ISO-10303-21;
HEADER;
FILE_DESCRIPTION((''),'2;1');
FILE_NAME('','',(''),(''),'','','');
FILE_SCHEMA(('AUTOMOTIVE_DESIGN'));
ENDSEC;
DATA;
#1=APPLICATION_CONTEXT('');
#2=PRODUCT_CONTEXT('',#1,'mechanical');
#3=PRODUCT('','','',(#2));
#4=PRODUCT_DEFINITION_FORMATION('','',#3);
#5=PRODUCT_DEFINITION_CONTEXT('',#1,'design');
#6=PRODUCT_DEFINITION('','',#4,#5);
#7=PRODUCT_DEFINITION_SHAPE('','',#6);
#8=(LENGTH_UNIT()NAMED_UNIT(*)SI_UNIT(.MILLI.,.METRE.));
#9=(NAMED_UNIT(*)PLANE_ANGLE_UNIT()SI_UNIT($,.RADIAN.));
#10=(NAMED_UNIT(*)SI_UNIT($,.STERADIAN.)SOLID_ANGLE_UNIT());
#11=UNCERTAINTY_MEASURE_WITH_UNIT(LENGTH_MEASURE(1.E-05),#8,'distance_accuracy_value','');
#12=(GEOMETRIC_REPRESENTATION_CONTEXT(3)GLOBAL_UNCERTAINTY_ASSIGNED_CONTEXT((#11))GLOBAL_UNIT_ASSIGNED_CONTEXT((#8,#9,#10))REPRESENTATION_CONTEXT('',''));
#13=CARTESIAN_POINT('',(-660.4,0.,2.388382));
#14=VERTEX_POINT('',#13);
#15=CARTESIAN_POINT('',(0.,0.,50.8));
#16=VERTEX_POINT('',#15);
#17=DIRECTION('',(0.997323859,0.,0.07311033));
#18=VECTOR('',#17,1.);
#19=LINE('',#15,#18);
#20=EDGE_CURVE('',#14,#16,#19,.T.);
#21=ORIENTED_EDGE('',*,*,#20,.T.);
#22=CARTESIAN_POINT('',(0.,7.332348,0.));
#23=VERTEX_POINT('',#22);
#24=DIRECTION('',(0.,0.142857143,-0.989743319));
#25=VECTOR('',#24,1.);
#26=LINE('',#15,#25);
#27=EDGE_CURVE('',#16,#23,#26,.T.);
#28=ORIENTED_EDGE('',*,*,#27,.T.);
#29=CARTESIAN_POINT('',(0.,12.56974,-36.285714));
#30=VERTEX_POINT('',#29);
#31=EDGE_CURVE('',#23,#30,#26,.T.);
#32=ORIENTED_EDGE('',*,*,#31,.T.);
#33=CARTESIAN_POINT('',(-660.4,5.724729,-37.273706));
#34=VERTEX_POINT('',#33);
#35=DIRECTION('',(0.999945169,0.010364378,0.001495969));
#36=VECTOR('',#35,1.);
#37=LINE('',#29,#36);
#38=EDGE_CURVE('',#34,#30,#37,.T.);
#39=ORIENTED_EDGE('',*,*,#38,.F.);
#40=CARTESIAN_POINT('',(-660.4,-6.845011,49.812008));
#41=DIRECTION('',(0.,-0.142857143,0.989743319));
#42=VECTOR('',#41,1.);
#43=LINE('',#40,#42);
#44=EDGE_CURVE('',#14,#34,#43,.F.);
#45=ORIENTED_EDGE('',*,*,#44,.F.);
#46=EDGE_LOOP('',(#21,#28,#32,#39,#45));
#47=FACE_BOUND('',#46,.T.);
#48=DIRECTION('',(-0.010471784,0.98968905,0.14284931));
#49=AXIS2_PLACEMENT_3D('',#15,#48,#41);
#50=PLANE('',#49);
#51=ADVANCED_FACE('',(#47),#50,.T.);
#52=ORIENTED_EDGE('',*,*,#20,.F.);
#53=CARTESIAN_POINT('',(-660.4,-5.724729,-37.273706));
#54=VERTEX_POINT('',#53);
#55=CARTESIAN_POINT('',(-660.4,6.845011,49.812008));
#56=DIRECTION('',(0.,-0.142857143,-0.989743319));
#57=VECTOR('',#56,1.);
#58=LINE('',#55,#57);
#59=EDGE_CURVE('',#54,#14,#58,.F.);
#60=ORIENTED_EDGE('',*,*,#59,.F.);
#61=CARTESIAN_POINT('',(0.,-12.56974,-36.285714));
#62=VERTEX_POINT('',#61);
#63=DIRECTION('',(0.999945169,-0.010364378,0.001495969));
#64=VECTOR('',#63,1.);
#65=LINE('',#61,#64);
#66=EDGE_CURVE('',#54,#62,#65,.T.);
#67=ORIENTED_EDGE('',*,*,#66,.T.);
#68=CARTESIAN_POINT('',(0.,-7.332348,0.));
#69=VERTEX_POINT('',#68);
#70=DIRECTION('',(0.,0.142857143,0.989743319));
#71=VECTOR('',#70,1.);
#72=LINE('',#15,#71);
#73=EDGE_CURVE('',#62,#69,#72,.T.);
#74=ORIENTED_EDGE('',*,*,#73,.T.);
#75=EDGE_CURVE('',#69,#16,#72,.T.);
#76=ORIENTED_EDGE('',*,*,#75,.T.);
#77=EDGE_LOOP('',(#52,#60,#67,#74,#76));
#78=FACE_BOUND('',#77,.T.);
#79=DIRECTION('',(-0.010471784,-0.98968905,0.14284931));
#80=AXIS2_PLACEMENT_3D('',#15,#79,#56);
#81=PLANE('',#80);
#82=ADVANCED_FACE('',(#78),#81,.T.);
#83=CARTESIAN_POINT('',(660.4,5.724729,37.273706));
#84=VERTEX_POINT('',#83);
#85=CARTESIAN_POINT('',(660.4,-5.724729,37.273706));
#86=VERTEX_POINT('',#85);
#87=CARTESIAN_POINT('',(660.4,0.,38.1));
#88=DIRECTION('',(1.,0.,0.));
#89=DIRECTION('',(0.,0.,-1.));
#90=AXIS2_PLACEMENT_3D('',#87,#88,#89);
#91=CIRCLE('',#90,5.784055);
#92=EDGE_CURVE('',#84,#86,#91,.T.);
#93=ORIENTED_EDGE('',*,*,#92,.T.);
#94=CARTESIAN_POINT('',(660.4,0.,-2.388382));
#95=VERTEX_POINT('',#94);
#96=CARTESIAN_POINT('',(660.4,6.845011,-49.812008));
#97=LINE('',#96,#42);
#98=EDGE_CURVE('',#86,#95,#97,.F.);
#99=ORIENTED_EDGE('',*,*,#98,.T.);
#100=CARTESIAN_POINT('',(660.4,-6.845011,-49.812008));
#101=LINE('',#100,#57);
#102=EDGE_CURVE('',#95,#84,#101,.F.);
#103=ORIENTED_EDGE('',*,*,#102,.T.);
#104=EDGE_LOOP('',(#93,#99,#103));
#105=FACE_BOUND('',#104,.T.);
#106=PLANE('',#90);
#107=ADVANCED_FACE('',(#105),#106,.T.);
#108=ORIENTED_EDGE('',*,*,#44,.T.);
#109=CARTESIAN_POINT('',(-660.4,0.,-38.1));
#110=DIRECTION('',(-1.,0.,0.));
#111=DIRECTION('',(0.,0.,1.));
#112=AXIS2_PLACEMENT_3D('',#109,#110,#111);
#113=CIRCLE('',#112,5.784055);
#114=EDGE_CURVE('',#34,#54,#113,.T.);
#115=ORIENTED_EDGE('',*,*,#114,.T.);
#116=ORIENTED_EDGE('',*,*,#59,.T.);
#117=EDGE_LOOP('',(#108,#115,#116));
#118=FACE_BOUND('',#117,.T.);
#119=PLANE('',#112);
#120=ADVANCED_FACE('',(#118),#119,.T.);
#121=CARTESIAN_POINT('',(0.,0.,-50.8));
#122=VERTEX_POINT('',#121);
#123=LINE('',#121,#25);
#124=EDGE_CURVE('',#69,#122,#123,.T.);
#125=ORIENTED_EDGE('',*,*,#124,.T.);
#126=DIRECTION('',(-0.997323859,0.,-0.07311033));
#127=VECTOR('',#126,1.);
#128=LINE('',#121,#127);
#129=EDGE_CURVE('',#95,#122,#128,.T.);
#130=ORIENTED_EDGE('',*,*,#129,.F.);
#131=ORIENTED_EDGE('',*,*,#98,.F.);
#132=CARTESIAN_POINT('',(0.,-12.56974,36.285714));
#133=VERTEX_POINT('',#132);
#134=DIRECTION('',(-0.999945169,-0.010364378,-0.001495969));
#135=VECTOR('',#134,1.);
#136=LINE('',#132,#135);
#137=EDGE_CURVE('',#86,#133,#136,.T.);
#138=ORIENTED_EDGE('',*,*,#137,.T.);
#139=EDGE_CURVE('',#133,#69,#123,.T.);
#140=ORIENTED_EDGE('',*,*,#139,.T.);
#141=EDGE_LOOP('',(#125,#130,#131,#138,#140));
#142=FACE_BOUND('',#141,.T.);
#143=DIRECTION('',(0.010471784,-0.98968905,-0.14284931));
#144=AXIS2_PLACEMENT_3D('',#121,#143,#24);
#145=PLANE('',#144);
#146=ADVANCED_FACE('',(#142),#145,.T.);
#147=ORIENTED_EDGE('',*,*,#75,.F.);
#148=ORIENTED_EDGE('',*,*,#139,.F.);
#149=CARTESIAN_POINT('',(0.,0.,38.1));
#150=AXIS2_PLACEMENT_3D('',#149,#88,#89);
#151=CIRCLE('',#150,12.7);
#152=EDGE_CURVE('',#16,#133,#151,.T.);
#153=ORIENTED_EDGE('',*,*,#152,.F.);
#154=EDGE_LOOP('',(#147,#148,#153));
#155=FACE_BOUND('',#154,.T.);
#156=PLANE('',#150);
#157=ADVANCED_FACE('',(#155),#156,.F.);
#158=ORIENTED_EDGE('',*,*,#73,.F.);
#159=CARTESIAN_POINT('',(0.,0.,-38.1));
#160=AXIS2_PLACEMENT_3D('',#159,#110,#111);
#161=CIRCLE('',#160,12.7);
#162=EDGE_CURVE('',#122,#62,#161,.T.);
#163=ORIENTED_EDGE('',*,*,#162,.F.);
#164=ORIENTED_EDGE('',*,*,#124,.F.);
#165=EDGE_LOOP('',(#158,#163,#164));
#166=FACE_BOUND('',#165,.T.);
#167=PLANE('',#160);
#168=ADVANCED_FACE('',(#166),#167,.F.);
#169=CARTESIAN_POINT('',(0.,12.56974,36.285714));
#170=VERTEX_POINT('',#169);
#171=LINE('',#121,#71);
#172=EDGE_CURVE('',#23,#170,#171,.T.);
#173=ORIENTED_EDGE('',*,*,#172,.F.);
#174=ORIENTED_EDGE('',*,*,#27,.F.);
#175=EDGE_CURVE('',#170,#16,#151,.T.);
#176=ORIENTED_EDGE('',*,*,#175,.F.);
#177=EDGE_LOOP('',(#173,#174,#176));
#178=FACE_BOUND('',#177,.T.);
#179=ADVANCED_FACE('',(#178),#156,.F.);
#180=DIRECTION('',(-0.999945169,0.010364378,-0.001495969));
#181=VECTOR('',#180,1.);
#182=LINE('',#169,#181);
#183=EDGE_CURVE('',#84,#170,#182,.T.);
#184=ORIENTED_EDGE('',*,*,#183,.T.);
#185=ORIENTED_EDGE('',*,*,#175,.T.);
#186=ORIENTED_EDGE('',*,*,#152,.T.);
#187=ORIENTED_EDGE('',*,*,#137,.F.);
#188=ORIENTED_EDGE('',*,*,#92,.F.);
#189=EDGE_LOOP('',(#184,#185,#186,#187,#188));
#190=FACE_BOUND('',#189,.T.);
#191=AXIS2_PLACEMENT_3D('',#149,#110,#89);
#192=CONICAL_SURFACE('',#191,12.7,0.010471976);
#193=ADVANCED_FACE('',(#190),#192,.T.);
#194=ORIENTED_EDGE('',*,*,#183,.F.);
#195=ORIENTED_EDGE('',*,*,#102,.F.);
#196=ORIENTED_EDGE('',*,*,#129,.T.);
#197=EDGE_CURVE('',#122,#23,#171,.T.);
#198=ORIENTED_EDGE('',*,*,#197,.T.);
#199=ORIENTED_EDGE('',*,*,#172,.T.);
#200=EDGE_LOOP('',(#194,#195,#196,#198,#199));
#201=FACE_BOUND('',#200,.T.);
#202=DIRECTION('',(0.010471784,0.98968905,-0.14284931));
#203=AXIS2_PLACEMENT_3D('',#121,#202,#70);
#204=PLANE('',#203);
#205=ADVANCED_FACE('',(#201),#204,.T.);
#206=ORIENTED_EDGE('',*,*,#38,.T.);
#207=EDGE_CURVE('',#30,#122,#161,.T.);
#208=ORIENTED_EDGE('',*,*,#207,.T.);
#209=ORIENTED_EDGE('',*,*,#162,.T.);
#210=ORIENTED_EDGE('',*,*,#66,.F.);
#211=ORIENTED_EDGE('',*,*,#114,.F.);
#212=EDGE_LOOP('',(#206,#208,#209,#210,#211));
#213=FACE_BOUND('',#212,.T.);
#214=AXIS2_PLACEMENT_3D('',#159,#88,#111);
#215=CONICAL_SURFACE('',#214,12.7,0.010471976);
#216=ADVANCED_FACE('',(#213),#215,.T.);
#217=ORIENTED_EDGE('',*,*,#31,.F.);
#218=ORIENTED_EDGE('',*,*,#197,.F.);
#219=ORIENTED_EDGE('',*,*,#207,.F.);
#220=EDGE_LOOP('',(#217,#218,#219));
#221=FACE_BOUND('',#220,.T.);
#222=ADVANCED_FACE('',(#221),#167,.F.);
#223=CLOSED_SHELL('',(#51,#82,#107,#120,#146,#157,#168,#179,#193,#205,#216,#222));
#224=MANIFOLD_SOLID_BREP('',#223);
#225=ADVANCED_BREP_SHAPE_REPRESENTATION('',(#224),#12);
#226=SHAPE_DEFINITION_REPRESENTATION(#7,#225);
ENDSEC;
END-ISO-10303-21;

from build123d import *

# Parameters (mm, degrees)
BOSS_EXTRUDE1_DEPTH = 660.4
BOSS_EXTRUDE1_TAPER = 0.6
CIRPATTERN1_COUNT   = 2


with BuildPart() as part:
    # Sketch1 → Boss-Extrude1 (new body)
    with BuildSketch(Plane(origin=(0, 0, 0), x_dir=(0, 0, -1), z_dir=(1, 0, 0))):
        with BuildLine():
            Line((50.8, 0), (-36.285714286, 12.569740146))
            ThreePointArc((-36.285714286, 12.569740146), (-50.8, 0), (-36.285714286, -12.569740146))
            Line((-36.285714286, -12.569740146), (50.8, 0))
        make_face()
    boss_extrude1 = extrude(amount=BOSS_EXTRUDE1_DEPTH, taper=BOSS_EXTRUDE1_TAPER)

    # CirPattern1: Boss-Extrude1 ×2 about axis
    cirpattern1_axis = Axis((0, 0, 0), (0, 1, 0))
    for i in range(1, CIRPATTERN1_COUNT):
        add(boss_extrude1.rotate(cirpattern1_axis, i * 360 / CIRPATTERN1_COUNT))


solid = part.part
